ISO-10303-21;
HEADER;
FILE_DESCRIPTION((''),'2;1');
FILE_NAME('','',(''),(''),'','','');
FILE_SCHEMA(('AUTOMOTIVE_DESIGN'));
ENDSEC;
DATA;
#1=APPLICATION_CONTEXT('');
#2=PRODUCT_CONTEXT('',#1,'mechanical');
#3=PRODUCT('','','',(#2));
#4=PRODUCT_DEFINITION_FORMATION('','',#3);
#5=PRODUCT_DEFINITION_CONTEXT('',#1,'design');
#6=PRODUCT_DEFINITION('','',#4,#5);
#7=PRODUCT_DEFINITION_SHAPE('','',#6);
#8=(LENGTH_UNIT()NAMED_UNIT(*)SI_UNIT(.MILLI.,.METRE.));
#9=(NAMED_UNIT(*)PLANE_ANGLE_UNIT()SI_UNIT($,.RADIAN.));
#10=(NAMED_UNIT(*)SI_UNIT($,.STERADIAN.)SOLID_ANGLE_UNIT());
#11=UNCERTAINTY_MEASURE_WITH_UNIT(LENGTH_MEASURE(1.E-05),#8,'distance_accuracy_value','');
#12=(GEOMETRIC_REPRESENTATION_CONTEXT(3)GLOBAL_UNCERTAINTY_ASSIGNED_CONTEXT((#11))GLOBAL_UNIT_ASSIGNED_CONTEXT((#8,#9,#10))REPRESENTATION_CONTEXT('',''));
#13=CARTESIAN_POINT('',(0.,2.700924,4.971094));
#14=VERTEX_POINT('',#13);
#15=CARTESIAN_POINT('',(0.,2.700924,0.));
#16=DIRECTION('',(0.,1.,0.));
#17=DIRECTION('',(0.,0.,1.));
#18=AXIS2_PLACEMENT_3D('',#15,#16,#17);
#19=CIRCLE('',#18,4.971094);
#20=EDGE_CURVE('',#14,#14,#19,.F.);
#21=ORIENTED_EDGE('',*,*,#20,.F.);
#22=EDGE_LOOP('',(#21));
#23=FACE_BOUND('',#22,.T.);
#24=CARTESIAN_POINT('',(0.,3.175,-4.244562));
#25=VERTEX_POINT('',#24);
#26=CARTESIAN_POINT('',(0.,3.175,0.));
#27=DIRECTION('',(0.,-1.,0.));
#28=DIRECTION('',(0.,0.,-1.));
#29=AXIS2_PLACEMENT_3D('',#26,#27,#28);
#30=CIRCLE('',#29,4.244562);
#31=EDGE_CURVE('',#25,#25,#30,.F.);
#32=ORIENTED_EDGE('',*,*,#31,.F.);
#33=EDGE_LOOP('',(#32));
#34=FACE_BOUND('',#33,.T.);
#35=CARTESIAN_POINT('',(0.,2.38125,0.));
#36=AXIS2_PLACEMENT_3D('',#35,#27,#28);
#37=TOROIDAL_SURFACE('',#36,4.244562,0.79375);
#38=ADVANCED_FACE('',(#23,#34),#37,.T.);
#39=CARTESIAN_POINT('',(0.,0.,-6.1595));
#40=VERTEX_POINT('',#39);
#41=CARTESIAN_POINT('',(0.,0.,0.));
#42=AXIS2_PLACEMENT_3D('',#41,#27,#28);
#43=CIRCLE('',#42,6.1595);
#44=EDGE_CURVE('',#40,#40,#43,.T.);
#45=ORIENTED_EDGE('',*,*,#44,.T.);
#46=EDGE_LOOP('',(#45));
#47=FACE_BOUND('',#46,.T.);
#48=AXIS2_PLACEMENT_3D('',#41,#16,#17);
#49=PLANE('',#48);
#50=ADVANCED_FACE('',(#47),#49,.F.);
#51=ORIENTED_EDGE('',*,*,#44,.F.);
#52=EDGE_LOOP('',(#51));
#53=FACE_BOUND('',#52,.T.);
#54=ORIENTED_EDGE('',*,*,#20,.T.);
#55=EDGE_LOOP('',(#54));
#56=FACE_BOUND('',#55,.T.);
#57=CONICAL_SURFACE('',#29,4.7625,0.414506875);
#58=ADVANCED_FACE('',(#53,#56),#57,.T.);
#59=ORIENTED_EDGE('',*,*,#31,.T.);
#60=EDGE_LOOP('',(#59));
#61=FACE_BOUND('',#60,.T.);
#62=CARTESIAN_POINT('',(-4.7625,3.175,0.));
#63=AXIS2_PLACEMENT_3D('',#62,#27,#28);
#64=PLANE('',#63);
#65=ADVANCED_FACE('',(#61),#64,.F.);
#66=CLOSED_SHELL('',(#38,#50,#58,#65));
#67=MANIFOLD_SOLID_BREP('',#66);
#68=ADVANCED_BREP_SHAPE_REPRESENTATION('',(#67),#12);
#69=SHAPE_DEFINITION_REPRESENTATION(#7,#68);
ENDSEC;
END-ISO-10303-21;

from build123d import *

# Parameters (mm, degrees)
FILLET1_R = 0.79375


with BuildPart() as part:
    # Sketch1 → Revolve1 (revolve)
    with BuildSketch(Plane.XY, mode=Mode.PRIVATE) as revolve1_sk:
        Polygon((0, 0), (-6.1595, 0), (-4.7625, 3.175), (0, 3.175), align=None)
    revolve(revolve1_sk.sketch.rotate(Axis((0, 0, 0), (0, 1, 0)), 270), axis=Axis((0, 0, 0), (0, 1, 0)))

    # Fillet1
    fillet1_edges = [part.edges().sort_by_distance(p)[0] for p in [
        (0, 3.175, 4.7625),
    ]]
    fillet(fillet1_edges, radius=FILLET1_R)


solid = part.part
